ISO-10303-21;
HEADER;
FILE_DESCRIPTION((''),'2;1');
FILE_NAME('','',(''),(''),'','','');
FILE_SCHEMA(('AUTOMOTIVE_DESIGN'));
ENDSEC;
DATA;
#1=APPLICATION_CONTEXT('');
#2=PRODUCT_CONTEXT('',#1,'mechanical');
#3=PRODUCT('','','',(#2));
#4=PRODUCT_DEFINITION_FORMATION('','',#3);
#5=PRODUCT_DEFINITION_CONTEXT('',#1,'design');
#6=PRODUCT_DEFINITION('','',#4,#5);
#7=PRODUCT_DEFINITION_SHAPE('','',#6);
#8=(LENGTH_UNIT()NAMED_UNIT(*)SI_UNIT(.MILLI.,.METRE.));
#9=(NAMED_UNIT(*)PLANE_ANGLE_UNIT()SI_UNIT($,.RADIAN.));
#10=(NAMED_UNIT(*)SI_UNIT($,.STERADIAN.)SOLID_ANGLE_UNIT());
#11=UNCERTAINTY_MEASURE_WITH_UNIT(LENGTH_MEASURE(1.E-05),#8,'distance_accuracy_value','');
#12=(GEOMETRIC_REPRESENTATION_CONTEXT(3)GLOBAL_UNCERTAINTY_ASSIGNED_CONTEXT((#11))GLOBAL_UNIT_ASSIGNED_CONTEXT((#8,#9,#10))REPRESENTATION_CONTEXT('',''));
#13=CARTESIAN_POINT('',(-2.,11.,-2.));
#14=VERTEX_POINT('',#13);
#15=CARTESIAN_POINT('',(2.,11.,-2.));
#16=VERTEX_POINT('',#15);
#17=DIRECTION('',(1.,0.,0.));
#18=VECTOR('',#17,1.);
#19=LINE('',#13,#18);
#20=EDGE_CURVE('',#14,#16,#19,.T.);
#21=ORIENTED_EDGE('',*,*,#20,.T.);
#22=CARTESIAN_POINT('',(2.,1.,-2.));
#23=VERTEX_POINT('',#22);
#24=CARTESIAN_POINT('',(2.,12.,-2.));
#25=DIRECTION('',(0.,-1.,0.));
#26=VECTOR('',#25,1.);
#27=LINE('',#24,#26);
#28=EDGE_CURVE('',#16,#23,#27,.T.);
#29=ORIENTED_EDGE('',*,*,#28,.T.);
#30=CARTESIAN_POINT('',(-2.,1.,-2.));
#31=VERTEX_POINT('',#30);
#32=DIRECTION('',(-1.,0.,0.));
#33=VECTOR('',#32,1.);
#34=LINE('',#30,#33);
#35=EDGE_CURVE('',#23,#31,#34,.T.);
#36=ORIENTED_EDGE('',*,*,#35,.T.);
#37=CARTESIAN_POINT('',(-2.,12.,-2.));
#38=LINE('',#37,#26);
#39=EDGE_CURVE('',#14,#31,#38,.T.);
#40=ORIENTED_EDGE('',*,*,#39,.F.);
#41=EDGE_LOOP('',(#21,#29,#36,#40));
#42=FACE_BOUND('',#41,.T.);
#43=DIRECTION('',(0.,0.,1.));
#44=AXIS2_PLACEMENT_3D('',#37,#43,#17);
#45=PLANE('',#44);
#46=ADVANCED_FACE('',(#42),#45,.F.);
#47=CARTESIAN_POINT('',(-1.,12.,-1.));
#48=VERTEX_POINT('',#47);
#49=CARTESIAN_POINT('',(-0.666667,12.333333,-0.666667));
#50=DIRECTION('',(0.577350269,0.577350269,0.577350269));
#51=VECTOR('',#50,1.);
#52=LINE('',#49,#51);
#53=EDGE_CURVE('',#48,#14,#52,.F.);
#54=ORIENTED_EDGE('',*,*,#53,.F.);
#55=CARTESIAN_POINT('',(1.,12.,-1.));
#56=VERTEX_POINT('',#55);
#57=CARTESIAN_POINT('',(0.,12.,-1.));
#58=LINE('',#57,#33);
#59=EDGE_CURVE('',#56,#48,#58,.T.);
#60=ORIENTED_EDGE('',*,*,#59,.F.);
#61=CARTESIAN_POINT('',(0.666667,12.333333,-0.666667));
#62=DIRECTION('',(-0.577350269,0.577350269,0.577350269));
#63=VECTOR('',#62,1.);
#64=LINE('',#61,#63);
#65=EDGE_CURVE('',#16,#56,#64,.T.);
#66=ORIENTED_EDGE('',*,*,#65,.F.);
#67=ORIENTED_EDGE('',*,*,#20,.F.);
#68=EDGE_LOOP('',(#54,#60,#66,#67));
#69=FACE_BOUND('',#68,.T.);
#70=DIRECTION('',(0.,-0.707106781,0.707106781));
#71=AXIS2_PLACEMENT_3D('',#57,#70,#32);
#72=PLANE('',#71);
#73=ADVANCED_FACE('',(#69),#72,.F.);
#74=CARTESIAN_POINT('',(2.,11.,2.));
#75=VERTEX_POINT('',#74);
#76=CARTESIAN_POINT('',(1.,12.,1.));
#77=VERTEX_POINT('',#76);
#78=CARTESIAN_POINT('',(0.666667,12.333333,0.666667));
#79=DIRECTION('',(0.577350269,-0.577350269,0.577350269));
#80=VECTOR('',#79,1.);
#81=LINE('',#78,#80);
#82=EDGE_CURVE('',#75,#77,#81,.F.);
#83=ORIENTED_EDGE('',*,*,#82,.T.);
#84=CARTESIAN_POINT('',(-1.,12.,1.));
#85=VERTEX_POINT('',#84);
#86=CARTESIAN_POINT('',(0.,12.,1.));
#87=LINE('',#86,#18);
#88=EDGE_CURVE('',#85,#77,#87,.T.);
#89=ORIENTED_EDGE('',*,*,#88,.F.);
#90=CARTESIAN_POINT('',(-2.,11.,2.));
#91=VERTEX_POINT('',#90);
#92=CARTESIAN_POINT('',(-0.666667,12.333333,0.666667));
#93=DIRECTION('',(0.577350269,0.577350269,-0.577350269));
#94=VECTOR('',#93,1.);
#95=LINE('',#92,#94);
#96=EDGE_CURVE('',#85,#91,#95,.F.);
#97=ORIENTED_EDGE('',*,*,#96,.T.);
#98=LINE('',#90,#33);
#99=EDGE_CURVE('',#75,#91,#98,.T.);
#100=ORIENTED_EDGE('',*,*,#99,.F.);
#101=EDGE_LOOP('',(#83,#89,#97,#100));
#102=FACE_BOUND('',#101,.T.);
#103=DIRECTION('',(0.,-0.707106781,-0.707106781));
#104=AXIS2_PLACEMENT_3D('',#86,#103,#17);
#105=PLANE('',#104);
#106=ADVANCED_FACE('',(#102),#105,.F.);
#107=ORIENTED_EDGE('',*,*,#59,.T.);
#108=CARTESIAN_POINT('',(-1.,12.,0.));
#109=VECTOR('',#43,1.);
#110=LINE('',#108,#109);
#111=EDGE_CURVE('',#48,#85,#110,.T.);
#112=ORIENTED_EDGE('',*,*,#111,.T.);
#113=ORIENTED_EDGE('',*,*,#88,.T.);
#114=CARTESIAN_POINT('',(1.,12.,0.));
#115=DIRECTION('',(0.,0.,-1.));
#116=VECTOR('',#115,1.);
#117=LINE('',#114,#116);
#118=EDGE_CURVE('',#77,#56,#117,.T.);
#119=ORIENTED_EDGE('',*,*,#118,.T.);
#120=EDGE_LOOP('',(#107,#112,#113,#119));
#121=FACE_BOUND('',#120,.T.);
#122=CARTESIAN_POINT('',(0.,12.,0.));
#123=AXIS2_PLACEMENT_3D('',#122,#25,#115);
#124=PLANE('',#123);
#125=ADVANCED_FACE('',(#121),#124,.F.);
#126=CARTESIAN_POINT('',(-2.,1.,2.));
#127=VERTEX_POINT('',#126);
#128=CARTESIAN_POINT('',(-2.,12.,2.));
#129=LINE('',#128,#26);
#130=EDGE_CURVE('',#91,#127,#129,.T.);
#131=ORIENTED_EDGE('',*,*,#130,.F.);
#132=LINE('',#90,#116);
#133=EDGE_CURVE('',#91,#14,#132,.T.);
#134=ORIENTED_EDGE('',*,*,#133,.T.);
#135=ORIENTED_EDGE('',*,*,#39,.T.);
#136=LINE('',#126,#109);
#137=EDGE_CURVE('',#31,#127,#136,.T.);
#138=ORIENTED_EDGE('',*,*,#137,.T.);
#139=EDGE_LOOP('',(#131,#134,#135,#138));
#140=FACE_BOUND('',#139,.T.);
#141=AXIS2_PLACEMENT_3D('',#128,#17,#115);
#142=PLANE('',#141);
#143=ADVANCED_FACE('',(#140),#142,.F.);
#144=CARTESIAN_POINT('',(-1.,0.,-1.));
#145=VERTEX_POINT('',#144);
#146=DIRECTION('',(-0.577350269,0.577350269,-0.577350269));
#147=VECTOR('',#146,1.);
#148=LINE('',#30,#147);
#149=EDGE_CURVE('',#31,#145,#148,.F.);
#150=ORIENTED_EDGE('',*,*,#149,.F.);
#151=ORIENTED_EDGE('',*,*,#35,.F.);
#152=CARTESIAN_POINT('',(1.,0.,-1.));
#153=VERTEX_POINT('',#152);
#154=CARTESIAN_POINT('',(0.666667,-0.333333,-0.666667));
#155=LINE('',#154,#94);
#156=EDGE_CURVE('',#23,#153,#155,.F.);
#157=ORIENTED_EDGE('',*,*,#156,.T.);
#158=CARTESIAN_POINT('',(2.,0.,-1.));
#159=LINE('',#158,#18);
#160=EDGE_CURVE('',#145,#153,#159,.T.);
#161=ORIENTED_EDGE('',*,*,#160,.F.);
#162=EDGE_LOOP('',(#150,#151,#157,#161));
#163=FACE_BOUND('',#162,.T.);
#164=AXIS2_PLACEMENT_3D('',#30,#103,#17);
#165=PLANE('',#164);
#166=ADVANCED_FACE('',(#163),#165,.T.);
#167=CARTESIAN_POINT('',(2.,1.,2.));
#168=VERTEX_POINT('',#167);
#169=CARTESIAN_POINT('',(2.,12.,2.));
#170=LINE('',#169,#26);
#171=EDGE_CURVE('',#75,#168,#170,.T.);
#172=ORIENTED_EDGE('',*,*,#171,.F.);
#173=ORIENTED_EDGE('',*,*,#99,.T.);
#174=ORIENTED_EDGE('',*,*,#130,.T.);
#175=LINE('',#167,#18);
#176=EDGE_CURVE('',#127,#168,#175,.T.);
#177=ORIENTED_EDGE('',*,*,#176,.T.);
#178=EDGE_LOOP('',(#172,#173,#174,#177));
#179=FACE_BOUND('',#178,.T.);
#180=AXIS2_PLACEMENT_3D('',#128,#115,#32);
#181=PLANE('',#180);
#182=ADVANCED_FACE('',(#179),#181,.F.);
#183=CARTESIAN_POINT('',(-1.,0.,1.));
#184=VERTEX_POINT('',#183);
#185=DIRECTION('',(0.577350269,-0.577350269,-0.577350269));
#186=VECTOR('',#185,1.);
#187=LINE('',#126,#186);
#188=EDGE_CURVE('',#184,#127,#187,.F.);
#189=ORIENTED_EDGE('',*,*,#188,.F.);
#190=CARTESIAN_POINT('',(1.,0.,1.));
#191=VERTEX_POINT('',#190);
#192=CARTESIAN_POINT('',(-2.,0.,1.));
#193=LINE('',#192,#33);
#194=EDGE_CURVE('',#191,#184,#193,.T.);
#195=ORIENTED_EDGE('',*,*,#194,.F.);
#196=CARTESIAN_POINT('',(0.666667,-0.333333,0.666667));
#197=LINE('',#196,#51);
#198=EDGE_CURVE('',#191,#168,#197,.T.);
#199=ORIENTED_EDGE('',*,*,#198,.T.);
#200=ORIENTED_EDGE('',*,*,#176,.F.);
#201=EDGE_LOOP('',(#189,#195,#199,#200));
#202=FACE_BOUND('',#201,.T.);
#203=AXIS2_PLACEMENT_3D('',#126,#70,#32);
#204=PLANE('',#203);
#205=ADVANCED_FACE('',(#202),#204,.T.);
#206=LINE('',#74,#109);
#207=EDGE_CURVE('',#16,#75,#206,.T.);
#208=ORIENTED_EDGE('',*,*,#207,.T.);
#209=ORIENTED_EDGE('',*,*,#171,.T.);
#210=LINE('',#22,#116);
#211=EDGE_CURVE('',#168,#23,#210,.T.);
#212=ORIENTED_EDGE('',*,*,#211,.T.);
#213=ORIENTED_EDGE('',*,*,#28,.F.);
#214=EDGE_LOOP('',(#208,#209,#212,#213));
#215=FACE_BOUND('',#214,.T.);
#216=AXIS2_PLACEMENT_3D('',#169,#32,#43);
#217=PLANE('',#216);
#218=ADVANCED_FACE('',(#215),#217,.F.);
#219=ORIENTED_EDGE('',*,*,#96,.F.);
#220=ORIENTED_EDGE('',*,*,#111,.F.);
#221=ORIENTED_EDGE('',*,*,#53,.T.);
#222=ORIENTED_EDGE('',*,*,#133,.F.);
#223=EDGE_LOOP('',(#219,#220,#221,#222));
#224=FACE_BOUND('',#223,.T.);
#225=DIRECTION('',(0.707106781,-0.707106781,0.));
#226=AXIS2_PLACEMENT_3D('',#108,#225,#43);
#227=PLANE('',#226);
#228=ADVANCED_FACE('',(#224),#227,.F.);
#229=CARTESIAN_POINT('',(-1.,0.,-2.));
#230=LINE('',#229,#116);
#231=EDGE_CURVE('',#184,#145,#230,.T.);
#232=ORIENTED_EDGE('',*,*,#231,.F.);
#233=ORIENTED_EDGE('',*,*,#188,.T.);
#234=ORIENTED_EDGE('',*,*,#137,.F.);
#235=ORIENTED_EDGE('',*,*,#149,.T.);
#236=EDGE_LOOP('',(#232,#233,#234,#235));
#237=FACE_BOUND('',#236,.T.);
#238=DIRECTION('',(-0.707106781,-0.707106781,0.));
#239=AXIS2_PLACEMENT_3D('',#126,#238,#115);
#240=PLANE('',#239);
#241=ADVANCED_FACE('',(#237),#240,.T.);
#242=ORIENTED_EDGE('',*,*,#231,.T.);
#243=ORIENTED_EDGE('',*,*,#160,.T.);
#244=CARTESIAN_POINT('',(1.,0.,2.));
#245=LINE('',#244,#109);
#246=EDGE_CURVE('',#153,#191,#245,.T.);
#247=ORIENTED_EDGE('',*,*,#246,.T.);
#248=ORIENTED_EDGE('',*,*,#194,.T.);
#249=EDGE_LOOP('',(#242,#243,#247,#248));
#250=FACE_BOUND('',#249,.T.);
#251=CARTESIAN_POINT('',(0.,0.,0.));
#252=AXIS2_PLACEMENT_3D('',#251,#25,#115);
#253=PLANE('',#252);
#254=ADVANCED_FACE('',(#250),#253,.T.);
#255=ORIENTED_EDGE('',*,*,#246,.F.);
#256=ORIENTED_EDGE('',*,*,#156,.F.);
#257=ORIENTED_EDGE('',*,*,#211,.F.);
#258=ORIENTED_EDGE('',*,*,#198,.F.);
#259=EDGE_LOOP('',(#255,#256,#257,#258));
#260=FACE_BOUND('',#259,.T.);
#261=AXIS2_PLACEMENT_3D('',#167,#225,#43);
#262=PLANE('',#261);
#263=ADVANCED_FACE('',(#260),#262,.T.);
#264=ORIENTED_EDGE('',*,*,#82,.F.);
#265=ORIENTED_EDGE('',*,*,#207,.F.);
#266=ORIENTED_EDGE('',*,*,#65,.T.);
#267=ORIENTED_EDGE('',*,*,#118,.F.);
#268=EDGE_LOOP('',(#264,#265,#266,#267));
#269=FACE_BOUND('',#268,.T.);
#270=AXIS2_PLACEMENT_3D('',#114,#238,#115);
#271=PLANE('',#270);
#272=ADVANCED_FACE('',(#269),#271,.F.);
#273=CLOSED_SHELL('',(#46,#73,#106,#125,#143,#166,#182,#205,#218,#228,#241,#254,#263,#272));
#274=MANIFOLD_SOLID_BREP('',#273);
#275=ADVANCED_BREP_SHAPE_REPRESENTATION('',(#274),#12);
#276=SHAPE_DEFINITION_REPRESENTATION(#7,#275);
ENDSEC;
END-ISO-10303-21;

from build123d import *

# Parameters (mm, degrees)
SKETCH1_W           = 4
SKETCH1_H           = 4
BOSS_EXTRUDE1_DEPTH = 12
CHAMFER3_SIZE       = 1
CHAMFER4_SIZE       = 1


with BuildPart() as part:
    # Sketch1 → Boss-Extrude1 (new body)
    with BuildSketch(Plane(origin=(0, 0, 0), x_dir=(1, 0, 0), z_dir=(0, 1, 0))):
        Rectangle(SKETCH1_W, SKETCH1_H)
    extrude(amount=BOSS_EXTRUDE1_DEPTH)

    # Chamfer3
    chamfer3_edges = [part.edges().sort_by_distance(p)[0] for p in [
        (-2, 12, 0),
        (0, 12, 2),
        (2, 12, 0),
        (0, 12, -2),
    ]]
    chamfer(chamfer3_edges, length=CHAMFER3_SIZE)

    # Chamfer4
    chamfer4_edges = [part.edges().sort_by_distance(p)[0] for p in [
        (0, 0, 2),
        (-2, 0, 0),
        (0, 0, -2),
        (2, 0, 0),
    ]]
    chamfer(chamfer4_edges, length=CHAMFER4_SIZE)


solid = part.part
